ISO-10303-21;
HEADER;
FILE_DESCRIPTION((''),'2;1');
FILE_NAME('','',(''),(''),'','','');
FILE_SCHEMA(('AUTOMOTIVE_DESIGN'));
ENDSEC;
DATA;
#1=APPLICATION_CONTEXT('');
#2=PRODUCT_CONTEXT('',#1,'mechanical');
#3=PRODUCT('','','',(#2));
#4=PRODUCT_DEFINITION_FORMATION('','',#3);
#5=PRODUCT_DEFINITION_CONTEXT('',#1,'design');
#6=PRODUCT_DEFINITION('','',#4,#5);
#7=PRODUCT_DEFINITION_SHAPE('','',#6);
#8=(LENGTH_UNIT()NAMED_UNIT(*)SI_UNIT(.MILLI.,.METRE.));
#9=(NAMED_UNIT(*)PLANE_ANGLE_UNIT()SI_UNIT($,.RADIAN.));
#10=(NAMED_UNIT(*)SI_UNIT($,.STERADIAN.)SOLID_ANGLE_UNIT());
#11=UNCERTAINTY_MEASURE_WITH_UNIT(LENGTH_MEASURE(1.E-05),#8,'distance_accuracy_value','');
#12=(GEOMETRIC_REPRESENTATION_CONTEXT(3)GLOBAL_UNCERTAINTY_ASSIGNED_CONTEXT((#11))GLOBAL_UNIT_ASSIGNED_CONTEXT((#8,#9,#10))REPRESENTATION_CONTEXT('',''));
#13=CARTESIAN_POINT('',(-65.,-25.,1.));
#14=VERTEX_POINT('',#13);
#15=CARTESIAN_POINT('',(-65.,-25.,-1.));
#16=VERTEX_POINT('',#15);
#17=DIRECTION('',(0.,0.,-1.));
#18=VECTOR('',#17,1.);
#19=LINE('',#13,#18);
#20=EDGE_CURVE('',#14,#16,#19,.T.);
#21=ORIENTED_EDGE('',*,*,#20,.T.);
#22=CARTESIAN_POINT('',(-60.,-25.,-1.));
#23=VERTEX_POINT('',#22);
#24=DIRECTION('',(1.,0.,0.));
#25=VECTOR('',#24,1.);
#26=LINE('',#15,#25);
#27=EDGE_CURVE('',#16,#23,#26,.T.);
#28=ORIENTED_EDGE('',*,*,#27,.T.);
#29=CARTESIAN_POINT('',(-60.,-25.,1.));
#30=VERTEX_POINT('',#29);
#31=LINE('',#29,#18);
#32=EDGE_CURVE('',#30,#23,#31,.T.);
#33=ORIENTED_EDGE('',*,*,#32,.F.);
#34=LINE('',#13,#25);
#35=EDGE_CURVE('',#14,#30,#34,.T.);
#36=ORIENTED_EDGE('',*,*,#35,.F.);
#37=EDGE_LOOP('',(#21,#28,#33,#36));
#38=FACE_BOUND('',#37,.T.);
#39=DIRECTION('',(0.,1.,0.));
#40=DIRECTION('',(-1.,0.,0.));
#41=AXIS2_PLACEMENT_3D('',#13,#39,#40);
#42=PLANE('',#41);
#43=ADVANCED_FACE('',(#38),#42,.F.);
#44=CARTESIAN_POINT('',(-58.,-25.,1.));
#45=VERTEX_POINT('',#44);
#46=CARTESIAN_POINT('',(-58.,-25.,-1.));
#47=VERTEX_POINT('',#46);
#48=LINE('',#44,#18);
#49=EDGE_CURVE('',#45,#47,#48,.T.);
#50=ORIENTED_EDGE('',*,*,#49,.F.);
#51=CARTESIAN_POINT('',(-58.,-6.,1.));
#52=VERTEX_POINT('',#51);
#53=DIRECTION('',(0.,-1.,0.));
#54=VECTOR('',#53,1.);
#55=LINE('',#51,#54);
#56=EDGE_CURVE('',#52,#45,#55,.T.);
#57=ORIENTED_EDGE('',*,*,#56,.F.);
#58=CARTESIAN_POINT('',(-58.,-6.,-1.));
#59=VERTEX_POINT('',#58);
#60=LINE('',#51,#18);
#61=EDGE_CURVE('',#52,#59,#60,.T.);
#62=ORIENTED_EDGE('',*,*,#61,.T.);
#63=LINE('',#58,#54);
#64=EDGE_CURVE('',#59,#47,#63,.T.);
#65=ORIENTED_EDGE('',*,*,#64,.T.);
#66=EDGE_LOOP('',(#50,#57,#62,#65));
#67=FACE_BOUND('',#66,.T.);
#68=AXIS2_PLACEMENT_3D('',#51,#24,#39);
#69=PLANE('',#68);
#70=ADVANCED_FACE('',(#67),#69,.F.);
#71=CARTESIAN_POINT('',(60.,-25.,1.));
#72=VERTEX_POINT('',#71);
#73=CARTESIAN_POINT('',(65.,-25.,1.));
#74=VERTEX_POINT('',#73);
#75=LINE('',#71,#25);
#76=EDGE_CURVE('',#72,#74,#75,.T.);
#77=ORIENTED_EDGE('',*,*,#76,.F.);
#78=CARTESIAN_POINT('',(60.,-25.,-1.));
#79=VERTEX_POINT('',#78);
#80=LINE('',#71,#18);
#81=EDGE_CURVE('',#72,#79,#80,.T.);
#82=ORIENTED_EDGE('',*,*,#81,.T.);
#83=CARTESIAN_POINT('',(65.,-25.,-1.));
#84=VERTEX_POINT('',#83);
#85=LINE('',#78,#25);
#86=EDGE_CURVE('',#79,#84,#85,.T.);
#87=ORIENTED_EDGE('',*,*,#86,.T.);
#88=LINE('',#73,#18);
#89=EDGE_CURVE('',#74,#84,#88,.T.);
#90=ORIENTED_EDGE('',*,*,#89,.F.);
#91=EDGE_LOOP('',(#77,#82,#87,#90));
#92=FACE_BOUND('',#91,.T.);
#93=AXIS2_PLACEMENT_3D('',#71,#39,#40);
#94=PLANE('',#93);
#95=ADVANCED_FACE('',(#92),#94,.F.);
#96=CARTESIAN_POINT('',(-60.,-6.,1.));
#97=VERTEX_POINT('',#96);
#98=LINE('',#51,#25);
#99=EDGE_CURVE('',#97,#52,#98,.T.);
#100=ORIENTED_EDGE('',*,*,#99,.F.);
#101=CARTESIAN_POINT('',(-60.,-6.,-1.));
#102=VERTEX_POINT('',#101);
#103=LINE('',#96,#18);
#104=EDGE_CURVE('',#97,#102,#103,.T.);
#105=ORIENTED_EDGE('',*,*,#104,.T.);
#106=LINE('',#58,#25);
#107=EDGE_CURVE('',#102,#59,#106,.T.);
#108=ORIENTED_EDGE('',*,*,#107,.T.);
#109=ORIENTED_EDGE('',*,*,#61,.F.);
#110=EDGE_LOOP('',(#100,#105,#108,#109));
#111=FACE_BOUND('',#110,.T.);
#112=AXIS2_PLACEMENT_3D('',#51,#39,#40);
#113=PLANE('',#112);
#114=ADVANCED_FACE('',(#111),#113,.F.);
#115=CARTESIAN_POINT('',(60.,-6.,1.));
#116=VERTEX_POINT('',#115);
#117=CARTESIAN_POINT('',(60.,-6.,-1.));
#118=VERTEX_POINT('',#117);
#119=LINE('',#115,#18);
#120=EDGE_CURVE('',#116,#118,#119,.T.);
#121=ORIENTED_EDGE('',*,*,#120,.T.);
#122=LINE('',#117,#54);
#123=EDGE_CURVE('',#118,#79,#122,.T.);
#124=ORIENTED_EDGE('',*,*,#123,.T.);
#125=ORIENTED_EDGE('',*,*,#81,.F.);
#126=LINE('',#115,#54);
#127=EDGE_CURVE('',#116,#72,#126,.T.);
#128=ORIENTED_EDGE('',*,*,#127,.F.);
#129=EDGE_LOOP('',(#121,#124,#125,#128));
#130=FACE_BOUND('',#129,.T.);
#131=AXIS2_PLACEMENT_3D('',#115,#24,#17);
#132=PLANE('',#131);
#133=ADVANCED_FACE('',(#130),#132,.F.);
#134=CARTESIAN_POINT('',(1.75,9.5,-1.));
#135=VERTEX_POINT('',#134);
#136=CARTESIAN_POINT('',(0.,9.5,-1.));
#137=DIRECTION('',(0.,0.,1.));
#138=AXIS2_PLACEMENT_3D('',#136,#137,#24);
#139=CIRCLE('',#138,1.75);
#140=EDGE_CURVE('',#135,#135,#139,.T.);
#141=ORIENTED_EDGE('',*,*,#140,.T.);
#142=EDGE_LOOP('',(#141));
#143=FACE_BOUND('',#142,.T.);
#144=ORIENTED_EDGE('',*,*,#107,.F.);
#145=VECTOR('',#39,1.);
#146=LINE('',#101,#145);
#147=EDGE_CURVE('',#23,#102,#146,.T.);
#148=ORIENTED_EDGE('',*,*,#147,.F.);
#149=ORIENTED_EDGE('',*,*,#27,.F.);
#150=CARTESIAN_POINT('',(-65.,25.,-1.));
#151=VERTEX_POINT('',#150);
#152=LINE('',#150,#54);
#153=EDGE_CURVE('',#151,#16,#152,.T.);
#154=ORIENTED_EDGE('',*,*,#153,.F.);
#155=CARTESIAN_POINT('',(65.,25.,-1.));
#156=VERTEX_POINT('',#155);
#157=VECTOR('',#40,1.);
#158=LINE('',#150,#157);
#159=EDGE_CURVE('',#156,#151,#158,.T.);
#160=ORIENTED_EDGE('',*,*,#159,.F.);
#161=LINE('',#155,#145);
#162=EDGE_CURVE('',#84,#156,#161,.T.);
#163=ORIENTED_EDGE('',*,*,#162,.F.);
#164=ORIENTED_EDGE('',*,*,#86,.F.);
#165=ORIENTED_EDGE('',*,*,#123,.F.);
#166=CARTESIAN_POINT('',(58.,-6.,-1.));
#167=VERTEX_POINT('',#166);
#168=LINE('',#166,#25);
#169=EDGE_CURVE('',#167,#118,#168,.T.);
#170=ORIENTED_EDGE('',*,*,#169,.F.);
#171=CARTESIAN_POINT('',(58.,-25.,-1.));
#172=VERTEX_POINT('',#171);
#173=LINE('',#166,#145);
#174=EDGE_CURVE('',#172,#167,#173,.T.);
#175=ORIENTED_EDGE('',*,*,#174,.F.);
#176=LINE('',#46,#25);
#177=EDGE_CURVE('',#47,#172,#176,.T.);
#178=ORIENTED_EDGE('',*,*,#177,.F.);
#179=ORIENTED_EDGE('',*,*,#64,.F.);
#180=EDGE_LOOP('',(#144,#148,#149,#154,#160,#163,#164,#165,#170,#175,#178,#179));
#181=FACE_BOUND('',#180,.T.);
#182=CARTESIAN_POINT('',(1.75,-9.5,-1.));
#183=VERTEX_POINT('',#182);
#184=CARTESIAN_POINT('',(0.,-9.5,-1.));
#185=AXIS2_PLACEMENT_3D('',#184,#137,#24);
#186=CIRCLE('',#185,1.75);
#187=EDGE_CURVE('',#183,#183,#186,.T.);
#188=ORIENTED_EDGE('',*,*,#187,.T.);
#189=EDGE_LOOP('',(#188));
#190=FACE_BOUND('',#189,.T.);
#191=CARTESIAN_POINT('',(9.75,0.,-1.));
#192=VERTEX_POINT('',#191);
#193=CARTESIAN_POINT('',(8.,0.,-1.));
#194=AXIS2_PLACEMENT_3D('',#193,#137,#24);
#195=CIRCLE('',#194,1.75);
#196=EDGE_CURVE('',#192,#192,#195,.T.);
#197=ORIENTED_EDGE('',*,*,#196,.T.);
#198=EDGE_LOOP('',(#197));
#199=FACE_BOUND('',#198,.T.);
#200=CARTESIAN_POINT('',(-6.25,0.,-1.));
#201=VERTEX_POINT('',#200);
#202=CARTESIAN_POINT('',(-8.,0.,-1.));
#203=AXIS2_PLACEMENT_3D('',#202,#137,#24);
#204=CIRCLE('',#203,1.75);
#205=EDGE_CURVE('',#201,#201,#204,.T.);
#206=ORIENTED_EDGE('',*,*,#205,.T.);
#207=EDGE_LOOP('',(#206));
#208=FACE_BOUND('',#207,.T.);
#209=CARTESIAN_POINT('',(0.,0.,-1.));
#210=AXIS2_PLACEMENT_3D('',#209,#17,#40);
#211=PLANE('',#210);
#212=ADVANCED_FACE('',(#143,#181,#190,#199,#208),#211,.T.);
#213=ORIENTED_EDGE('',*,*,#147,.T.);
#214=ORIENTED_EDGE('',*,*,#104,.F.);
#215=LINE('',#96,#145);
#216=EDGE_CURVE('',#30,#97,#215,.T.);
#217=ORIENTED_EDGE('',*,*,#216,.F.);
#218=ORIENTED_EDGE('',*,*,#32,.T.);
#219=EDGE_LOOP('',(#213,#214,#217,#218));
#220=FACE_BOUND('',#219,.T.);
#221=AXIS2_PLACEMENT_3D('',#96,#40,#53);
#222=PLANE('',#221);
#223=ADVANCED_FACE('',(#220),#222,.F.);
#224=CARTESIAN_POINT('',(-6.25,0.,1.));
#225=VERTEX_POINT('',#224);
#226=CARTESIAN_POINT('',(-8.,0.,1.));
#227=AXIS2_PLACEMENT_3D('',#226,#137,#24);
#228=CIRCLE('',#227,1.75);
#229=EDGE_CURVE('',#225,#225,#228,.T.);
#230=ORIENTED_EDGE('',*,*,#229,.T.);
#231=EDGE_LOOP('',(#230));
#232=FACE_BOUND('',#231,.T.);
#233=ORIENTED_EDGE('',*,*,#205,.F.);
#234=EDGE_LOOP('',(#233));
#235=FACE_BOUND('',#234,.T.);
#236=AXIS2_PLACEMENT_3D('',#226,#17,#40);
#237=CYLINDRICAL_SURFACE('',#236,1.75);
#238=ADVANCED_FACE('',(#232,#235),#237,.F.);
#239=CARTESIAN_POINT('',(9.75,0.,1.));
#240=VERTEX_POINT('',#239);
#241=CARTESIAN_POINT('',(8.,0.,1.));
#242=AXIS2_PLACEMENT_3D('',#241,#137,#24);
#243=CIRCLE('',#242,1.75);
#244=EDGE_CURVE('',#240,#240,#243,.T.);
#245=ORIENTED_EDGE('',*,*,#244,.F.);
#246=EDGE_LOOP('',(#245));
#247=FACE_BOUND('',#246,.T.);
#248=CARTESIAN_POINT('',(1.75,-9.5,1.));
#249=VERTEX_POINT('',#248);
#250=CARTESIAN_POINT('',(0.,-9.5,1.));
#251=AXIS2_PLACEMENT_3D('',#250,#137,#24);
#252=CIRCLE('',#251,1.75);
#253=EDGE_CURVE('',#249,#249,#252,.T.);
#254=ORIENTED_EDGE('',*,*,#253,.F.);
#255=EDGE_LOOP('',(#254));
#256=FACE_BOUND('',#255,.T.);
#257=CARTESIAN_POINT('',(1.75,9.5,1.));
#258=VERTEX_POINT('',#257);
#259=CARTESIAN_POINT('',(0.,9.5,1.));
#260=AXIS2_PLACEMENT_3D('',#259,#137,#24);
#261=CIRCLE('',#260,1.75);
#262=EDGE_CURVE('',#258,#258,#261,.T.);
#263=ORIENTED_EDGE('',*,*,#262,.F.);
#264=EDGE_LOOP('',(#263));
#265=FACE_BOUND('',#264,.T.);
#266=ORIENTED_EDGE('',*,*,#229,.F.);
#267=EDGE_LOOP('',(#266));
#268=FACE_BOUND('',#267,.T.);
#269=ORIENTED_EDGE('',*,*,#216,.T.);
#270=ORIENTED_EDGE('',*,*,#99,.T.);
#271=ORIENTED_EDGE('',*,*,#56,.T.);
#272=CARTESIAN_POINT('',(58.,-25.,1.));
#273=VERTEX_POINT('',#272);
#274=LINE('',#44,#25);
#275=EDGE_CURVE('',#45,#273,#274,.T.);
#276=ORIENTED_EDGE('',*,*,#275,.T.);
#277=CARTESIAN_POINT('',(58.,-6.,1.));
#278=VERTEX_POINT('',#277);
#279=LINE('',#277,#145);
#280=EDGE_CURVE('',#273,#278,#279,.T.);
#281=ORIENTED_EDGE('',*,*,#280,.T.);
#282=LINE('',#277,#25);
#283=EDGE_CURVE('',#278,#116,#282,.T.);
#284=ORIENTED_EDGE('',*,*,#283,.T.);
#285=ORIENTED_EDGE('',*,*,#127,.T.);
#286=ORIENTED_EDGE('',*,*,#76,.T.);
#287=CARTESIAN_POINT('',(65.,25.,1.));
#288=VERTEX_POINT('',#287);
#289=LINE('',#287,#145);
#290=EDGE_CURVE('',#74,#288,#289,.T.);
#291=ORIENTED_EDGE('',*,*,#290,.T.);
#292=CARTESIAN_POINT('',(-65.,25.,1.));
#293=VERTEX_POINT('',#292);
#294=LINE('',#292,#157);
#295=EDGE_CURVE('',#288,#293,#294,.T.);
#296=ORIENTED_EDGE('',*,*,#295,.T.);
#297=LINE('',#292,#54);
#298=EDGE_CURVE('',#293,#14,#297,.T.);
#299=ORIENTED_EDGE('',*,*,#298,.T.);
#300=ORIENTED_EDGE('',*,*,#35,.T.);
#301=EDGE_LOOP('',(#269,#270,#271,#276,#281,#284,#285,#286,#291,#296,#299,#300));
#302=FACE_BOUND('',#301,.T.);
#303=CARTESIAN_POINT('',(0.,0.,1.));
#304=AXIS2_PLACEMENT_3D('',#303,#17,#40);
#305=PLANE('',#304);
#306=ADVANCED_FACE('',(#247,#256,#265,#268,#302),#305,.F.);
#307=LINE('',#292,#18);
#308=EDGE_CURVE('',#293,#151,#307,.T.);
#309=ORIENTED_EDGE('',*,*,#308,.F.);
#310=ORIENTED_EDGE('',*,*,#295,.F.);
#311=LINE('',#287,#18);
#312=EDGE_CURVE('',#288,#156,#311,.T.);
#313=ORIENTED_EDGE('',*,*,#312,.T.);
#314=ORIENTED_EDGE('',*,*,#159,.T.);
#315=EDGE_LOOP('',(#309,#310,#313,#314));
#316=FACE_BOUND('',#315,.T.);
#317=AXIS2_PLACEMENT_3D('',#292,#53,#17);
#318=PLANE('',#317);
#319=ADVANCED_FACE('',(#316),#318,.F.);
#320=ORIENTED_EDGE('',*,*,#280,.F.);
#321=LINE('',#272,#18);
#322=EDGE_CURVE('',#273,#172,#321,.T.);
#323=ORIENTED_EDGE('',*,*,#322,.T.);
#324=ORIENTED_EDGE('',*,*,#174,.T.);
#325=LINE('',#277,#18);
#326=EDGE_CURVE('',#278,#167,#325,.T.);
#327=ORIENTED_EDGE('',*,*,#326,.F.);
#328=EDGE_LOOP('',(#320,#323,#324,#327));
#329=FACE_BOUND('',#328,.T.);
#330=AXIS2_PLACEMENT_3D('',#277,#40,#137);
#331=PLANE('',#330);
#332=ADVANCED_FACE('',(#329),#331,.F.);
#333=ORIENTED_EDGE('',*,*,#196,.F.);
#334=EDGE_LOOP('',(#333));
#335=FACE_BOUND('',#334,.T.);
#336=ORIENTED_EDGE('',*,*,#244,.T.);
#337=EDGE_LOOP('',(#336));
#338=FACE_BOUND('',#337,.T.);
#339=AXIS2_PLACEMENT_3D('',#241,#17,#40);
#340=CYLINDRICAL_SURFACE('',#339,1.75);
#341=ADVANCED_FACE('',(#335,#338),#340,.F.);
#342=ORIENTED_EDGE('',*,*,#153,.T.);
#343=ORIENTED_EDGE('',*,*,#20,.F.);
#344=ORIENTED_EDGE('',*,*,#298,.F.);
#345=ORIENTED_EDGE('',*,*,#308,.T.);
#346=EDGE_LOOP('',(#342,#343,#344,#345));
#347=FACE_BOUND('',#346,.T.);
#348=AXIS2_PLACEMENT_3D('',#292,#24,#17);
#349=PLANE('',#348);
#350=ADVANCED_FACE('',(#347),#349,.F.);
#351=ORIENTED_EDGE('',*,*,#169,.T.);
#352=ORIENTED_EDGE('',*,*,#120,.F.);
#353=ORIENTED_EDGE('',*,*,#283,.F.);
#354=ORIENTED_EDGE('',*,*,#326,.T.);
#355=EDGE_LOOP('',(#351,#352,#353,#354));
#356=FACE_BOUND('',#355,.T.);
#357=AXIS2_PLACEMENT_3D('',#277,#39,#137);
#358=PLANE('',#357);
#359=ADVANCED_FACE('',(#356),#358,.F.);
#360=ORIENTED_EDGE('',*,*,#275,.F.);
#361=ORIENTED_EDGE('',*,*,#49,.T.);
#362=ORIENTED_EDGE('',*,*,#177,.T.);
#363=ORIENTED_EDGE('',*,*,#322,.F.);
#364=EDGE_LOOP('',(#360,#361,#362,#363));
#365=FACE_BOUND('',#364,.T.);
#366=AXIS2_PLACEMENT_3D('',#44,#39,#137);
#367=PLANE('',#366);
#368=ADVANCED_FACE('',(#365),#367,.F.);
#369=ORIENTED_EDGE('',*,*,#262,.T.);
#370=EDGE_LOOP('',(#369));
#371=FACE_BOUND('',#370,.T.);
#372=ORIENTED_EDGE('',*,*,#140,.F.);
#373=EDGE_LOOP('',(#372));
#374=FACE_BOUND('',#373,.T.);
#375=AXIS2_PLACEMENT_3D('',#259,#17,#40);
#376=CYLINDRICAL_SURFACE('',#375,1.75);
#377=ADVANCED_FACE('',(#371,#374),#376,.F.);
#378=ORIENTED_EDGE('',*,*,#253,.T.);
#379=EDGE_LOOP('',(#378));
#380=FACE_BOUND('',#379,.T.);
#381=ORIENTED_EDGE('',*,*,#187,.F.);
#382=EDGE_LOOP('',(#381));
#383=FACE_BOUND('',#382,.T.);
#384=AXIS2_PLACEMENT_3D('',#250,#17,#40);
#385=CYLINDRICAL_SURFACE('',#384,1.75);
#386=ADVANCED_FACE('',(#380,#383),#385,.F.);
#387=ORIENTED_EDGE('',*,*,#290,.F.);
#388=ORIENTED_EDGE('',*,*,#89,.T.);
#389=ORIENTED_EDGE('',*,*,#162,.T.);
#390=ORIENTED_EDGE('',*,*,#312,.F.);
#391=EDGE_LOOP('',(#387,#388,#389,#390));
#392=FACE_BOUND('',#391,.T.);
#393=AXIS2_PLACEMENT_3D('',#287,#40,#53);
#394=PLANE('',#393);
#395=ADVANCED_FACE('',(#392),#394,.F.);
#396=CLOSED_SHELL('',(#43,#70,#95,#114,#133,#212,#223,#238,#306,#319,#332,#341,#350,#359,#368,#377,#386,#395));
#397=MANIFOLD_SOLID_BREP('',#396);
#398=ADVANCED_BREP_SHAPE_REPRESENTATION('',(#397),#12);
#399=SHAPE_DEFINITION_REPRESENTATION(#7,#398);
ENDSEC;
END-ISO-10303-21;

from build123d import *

# Parameters (mm, degrees)
SKETCH1_R           = 1.75
BOSS_EXTRUDE1_DEPTH = 1


with BuildPart() as part:
    # Sketch1 → Boss-Extrude1 (new, symmetric)
    with BuildSketch(Plane.XY):
        Polygon((-65, 25), (65, 25), (65, -25), (60, -25), (60, -6), (58, -6), (58, -25), (-58, -25), (-58, -6), (-60, -6), (-60, -25), (-65, -25), align=None)
        with Locations((0, 9.5)):
            Circle(SKETCH1_R, mode=Mode.SUBTRACT)
        with Locations((8, 0)):
            Circle(SKETCH1_R, mode=Mode.SUBTRACT)
        with Locations((0, -9.5)):
            Circle(SKETCH1_R, mode=Mode.SUBTRACT)
        with Locations((-8, 0)):
            Circle(SKETCH1_R, mode=Mode.SUBTRACT)
    extrude(amount=BOSS_EXTRUDE1_DEPTH, both=True)


solid = part.part
